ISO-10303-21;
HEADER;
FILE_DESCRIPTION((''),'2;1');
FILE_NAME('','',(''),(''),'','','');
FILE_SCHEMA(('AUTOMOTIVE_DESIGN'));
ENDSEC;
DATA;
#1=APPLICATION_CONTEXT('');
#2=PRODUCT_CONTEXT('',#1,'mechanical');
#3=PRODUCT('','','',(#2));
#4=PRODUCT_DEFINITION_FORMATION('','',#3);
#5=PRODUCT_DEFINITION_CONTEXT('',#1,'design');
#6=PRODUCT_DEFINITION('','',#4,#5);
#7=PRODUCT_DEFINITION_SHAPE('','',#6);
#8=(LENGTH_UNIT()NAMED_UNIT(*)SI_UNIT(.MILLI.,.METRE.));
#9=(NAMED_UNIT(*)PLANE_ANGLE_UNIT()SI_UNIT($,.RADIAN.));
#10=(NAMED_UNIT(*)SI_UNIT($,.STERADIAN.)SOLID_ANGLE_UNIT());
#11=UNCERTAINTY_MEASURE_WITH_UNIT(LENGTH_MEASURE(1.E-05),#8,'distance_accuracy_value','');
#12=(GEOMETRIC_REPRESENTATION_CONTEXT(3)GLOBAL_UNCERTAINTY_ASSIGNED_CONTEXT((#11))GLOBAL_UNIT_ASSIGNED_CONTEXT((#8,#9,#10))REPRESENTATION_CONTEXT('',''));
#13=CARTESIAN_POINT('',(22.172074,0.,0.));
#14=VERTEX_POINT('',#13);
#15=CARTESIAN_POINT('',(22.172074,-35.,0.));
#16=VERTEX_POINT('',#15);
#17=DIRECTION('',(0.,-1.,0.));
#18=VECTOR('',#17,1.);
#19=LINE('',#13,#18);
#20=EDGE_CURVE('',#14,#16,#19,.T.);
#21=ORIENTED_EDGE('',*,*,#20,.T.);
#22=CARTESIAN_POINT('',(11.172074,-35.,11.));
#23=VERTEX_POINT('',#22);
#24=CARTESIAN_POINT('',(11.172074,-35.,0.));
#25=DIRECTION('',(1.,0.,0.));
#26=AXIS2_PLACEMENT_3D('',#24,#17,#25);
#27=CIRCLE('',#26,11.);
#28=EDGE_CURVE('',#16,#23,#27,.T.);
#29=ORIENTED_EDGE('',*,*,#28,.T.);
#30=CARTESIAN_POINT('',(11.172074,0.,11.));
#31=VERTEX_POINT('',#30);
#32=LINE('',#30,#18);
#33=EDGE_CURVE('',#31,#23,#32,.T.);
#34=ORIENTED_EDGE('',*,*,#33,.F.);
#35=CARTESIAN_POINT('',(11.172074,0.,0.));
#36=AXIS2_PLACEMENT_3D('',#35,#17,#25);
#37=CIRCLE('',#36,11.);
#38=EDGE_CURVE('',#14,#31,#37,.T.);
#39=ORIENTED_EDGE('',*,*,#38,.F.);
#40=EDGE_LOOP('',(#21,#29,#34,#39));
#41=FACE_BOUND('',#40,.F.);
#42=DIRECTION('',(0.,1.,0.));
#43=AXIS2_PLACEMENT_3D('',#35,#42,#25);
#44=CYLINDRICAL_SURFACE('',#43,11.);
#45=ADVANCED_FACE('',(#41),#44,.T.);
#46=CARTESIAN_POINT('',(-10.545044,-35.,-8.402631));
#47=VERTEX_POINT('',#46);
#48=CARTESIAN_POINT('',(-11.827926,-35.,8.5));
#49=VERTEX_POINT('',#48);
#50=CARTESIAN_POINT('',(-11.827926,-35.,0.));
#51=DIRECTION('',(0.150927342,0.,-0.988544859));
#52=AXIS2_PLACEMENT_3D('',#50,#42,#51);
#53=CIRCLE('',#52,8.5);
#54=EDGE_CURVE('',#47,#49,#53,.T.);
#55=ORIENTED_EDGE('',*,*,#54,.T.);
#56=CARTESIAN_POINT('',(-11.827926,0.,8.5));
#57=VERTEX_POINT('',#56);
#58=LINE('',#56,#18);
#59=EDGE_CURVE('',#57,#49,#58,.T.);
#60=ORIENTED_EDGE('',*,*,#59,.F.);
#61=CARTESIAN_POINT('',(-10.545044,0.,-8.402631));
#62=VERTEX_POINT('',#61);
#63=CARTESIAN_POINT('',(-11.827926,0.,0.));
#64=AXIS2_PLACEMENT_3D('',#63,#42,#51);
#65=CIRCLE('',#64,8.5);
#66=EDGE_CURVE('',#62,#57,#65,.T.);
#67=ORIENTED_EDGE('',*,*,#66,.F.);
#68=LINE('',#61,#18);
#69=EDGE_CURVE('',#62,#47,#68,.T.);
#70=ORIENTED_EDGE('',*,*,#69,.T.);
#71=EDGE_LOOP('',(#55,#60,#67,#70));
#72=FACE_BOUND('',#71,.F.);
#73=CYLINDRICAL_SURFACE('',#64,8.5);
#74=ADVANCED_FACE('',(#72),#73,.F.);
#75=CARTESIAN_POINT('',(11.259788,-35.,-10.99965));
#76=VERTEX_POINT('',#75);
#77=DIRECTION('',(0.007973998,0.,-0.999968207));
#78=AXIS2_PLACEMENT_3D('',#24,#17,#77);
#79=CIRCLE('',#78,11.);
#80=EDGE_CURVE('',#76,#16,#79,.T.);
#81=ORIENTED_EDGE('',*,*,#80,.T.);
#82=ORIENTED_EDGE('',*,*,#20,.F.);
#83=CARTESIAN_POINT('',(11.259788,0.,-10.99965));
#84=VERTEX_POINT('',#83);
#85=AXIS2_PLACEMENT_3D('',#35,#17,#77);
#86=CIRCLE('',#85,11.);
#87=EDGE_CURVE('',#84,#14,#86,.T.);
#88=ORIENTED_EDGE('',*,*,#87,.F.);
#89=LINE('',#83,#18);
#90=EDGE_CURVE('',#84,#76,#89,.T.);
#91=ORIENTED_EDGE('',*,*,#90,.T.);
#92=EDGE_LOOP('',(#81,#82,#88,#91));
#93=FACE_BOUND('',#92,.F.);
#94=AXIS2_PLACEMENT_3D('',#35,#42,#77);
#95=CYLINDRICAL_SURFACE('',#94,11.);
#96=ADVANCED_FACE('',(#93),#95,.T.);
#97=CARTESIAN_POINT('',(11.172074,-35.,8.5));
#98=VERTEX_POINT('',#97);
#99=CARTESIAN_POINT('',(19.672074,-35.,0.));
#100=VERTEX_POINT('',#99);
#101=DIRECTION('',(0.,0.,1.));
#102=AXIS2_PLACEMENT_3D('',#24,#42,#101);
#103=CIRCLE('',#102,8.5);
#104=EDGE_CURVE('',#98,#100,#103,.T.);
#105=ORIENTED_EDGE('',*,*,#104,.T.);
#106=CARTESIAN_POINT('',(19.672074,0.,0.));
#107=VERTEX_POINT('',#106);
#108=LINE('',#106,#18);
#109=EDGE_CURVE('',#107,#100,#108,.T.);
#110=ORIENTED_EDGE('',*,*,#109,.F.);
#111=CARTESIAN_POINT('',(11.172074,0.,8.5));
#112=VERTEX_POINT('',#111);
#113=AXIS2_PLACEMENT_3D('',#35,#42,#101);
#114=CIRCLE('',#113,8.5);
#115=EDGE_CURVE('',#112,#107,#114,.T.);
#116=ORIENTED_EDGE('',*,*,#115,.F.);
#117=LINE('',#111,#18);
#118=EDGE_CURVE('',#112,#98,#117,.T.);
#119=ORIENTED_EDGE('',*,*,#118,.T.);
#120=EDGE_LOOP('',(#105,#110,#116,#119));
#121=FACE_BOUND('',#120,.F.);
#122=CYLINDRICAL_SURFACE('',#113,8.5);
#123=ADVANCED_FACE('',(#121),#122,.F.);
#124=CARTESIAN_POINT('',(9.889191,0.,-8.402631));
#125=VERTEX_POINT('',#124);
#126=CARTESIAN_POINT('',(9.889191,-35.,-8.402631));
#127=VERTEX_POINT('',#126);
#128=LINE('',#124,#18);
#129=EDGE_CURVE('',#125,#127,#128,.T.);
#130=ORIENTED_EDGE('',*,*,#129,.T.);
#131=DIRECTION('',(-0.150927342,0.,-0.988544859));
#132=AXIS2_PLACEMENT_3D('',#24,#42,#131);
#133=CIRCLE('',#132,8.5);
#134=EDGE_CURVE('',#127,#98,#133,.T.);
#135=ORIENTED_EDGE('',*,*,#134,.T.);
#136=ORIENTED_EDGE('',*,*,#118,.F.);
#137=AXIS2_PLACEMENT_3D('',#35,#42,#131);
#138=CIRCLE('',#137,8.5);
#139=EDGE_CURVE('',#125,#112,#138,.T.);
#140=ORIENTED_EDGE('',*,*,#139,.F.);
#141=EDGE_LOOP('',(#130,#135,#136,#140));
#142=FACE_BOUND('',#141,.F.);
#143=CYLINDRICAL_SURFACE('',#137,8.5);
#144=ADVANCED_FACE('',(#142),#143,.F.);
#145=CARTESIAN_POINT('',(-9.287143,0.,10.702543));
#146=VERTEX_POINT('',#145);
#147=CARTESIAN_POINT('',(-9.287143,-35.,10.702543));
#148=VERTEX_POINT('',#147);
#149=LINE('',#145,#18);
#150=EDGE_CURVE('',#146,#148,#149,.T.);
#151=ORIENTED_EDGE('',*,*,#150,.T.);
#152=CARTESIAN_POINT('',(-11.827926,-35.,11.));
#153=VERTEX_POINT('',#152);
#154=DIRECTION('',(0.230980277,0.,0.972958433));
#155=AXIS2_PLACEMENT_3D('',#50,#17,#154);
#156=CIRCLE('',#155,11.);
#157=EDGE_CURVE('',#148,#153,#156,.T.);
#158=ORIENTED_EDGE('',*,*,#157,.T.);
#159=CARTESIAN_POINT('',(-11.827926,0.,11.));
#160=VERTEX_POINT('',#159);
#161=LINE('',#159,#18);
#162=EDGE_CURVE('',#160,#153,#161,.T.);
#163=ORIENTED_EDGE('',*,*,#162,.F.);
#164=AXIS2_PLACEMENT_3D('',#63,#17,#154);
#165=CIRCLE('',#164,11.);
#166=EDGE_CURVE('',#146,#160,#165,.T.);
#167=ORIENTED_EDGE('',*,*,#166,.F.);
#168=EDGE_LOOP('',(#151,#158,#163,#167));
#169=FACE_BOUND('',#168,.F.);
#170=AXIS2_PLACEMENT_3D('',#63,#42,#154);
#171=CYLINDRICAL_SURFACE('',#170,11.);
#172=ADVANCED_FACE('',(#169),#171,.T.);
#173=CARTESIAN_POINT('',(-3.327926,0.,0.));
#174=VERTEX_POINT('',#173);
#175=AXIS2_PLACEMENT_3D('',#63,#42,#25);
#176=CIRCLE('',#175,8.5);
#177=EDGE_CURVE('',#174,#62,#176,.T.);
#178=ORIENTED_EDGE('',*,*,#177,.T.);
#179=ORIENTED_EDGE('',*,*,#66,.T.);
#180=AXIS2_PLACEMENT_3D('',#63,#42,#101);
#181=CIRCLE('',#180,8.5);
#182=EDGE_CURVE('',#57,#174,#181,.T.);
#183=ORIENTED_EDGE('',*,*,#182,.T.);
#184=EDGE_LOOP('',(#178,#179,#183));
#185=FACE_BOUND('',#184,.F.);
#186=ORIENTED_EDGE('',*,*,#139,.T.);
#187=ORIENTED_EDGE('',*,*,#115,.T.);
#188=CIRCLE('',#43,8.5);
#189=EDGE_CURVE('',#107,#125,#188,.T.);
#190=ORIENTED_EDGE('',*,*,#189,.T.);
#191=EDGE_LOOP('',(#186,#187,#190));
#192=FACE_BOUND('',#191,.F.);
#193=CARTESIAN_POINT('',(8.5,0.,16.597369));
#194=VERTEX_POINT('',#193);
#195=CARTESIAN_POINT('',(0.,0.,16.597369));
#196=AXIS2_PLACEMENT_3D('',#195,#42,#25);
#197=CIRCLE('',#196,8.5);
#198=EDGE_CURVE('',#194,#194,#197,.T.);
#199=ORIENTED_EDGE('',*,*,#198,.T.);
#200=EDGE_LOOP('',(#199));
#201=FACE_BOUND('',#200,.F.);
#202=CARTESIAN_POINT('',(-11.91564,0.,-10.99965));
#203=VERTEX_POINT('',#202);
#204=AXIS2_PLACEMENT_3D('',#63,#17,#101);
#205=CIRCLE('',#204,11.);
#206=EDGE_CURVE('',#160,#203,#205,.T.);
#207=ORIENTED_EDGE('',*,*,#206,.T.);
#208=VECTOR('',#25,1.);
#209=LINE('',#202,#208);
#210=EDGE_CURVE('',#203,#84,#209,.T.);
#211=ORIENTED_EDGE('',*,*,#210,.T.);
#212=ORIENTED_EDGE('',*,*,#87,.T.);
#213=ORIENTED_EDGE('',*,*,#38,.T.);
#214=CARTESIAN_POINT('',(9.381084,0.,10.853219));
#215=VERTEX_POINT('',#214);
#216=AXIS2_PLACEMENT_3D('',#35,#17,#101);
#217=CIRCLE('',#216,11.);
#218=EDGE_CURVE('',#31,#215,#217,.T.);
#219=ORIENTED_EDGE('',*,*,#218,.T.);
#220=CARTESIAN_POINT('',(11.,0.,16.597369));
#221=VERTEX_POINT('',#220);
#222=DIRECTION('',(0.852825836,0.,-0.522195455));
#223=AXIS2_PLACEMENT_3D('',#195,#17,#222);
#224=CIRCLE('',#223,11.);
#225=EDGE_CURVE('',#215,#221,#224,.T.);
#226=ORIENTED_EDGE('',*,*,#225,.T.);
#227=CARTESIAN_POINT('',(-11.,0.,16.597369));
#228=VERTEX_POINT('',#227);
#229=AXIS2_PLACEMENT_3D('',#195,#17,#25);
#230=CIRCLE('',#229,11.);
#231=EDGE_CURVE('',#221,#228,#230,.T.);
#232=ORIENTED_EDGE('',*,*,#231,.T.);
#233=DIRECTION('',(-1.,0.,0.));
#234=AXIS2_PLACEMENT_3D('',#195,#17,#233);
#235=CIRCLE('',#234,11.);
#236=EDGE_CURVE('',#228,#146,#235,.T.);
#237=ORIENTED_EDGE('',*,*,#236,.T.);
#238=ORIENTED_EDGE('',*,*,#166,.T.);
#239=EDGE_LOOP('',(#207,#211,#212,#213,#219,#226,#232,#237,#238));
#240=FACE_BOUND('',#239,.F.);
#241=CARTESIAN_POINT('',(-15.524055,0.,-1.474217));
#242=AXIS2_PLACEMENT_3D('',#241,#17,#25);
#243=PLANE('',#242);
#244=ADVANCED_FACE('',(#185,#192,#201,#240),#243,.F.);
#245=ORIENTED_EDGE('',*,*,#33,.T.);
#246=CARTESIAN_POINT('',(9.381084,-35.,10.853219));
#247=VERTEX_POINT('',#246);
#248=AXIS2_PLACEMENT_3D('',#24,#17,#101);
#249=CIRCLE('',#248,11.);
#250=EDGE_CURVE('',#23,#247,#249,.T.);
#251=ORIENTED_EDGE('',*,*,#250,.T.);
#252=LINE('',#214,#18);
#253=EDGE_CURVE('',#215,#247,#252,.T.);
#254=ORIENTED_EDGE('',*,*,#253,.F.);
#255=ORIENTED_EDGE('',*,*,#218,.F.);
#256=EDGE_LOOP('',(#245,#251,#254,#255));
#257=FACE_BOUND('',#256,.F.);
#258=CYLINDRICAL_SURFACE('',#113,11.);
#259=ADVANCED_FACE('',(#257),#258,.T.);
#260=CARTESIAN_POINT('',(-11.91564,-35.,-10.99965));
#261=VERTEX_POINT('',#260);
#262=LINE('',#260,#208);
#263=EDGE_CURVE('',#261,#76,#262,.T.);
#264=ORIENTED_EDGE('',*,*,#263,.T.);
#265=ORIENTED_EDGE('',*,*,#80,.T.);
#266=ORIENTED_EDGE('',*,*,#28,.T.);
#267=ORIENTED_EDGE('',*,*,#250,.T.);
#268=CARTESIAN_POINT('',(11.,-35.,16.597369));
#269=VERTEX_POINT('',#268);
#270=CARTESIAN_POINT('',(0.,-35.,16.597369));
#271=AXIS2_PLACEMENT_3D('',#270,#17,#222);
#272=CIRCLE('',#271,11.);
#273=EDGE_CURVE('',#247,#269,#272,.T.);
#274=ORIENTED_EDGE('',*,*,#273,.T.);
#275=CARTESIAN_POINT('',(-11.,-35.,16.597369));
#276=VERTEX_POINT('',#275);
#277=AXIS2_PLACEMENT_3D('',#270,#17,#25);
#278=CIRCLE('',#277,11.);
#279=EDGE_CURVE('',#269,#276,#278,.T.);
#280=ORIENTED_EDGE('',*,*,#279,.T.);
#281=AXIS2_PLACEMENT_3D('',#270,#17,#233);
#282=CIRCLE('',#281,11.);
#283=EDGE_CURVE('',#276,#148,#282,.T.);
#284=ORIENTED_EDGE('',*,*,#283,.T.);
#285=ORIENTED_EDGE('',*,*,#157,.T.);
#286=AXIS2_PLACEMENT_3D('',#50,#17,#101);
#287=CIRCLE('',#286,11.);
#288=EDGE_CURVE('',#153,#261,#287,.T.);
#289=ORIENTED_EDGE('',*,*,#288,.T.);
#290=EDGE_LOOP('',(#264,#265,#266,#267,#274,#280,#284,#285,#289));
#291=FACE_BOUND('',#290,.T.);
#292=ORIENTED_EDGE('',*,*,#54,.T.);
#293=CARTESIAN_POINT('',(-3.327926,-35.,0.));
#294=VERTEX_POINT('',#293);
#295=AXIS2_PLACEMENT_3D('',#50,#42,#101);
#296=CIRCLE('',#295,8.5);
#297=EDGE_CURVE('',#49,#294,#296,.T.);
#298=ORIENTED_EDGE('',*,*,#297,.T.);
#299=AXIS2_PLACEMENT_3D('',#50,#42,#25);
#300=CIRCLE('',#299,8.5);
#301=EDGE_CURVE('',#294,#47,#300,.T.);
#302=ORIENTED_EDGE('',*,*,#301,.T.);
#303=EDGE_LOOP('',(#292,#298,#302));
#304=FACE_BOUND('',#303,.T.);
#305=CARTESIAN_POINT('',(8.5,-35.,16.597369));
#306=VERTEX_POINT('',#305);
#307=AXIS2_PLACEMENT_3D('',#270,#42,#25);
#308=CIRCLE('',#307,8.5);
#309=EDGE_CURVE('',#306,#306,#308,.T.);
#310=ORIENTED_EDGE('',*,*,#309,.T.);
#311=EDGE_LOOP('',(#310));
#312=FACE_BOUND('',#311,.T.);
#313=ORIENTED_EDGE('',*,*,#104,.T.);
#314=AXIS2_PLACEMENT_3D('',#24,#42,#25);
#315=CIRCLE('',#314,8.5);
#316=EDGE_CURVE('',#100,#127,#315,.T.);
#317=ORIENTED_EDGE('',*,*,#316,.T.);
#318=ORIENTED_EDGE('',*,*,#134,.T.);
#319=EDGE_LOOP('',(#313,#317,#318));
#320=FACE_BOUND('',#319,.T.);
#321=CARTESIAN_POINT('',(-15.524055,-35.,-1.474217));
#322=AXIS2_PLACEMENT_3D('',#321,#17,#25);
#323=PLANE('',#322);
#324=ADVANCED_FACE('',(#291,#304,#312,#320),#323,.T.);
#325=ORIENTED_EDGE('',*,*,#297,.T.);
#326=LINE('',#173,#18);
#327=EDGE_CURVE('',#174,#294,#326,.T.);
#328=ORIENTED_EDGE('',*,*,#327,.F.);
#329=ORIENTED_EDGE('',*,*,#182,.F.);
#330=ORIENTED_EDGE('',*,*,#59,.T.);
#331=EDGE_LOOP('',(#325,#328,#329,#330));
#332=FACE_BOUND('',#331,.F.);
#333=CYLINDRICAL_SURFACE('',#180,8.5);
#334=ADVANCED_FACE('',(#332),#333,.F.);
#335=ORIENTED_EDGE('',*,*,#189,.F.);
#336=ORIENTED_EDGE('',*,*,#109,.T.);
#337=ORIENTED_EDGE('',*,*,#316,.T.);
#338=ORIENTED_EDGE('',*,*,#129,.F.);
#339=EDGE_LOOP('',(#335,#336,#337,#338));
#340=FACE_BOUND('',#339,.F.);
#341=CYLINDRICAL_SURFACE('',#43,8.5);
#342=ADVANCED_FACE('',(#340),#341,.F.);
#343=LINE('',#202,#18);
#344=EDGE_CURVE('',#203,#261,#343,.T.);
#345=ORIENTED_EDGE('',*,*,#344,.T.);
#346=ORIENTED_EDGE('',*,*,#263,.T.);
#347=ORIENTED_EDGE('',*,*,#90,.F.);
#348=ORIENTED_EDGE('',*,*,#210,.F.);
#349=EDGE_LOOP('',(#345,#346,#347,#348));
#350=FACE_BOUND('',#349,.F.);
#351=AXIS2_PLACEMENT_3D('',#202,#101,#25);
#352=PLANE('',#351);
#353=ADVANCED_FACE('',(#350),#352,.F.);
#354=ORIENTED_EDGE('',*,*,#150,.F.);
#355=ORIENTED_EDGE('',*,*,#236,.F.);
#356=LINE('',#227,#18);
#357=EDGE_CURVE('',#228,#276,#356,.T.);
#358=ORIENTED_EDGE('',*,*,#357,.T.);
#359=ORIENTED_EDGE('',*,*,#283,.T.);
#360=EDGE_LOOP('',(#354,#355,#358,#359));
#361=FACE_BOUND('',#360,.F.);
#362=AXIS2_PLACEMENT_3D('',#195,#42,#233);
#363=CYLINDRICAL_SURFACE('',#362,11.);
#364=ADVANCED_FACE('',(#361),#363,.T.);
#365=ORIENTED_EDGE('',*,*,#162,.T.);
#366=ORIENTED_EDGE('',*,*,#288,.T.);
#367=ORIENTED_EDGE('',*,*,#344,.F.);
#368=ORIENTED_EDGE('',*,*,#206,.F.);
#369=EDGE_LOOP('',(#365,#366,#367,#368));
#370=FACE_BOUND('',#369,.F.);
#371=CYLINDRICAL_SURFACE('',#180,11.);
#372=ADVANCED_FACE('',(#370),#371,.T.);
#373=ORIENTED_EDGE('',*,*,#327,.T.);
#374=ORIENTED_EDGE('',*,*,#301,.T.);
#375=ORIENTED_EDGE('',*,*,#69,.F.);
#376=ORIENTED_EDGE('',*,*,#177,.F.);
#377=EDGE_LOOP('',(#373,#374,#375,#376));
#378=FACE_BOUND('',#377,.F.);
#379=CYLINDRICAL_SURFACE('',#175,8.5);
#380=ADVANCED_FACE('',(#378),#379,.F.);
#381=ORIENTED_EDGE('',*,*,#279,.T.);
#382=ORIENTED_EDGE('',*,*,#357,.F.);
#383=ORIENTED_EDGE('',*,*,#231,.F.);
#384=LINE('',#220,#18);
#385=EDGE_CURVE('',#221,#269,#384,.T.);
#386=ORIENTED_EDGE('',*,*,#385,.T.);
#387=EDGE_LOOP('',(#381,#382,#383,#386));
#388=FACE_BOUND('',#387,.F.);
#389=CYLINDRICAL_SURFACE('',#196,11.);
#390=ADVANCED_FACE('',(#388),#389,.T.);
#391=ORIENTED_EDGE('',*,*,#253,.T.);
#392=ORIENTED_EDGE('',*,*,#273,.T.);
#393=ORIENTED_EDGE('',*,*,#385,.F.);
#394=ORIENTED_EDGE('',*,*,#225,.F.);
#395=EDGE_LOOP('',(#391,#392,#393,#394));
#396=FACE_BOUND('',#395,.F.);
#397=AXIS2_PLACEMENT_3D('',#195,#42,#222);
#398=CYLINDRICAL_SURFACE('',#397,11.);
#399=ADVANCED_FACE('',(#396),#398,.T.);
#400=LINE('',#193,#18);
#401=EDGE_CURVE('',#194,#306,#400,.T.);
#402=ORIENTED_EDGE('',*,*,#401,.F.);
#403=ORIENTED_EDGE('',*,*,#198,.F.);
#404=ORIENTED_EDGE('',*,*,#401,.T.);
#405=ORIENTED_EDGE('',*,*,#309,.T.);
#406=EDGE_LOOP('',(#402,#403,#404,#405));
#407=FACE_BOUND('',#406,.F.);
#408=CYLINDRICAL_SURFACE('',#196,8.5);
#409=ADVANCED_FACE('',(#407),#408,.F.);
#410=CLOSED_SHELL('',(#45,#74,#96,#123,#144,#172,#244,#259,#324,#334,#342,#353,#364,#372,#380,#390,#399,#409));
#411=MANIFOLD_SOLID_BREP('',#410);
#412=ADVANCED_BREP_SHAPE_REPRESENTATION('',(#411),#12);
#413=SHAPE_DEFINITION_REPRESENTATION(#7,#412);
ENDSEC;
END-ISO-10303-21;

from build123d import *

# Parameters (mm, degrees)
F1_DEPTH = 35


with BuildPart() as f1:
    # F0 (on Front) → F1 (new body)
    with BuildSketch(Plane.XZ):
        with BuildLine():
            Line((-11.8279261539, 8.5), (-11.8279261539, 11))
            ThreePointArc((-11.8279261539, 11), (-22.8278387233, 0.043857336), (-11.9156401288, -10.9996502789))
            Line((-11.9156401288, -10.9996502789), (-11.7402121791, -10.9996502789))
            ThreePointArc((-11.7402121791, -10.9996502789), (-8.0071490259, -10.3151181349), (-4.7289271207, -8.4026312978))
            Line((-4.7289271207, -8.4026312978), (-10.5450437457, -8.4026312978))
            ThreePointArc((-10.5450437457, -8.4026312978), (-20.3035490228, -0.6432860829), (-11.8279261539, 8.5))
        make_face()
        with BuildLine():
            ThreePointArc((22.1720738461, 0), (18.9502484391, 7.7781745931), (11.1720738461, 11))
            Line((11.1720738461, 11), (11.1720738461, 8.5))
            ThreePointArc((11.1720738461, 8.5), (17.1824814862, 6.0104076401), (19.6720738461, 0))
            ThreePointArc((19.6720738461, 0), (16.7103723, -6.4480423568), (9.8891914378, -8.4026312978))
            Line((9.8891914378, -8.4026312978), (4.0730748129, -8.4026312978))
            ThreePointArc((4.0730748129, -8.4026312978), (7.351296718, -10.3151181349), (11.0843598712, -10.9996502789))
            Line((11.0843598712, -10.9996502789), (11.2597878209, -10.9996502789))
            ThreePointArc((11.2597878209, -10.9996502789), (18.981198436, -7.7471009506), (22.1720738461, 0))
        make_face()
        with BuildLine():
            ThreePointArc((-8.5, 16.5973687022), (0, 25.0973687022), (8.5, 16.5973687022))
            Line((8.5, 16.5973687022), (11, 16.5973687022))
            ThreePointArc((11, 16.5973687022), (0, 27.5973687022), (-11, 16.5973687022))
            Line((-11, 16.5973687022), (-8.5, 16.5973687022))
        make_face()
        with BuildLine():
            ThreePointArc((11.0843598712, -10.9996502789), (7.351296718, -10.3151181349), (4.0730748129, -8.4026312978))
            Line((4.0730748129, -8.4026312978), (-4.7289271207, -8.4026312978))
            ThreePointArc((-4.7289271207, -8.4026312978), (-8.0071490259, -10.3151181349), (-11.7402121791, -10.9996502789))
            Line((-11.7402121791, -10.9996502789), (11.0843598712, -10.9996502789))
        make_face()
        with BuildLine():
            Line((11, 16.5973687022), (8.5, 16.5973687022))
            ThreePointArc((8.5, 16.5973687022), (0, 8.0973687022), (-8.5, 16.5973687022))
            Line((-8.5, 16.5973687022), (-11, 16.5973687022))
            ThreePointArc((-11, 16.5973687022), (-10.5631097264, 13.5280507147), (-9.2871431076, 10.7025427592))
            ThreePointArc((-9.2871431076, 10.7025427592), (-5.4440797803, 8.9580413863), (-2.5407830463, 5.8948259431))
            ThreePointArc((-2.5407830463, 5.8948259431), (-0.3823916111, 5.6040172271), (1.7909896489, 5.7441500056))
            ThreePointArc((1.7909896489, 5.7441500056), (5.0296432011, 9.1252696274), (9.3810841971, 10.8532186967))
            ThreePointArc((9.3810841971, 10.8532186967), (10.5875381031, 13.6134054123), (11, 16.5973687022))
        make_face()
        with BuildLine():
            ThreePointArc((-2.5407830463, 5.8948259431), (-5.4440797803, 8.9580413863), (-9.2871431076, 10.7025427592))
            ThreePointArc((-9.2871431076, 10.7025427592), (-6.3838463736, 7.6393273159), (-2.5407830463, 5.8948259431))
        make_face()
        with BuildLine():
            ThreePointArc((1.7909896489, 5.7441500056), (6.142430645, 7.4720990749), (9.3810841971, 10.8532186967))
            ThreePointArc((9.3810841971, 10.8532186967), (5.0296432011, 9.1252696274), (1.7909896489, 5.7441500056))
        make_face()
        with BuildLine():
            ThreePointArc((4.0730748129, -8.4026312978), (0.3124633037, -1.7518158776), (1.7909896489, 5.7441500056))
            ThreePointArc((1.7909896489, 5.7441500056), (-0.3823916111, 5.6040172271), (-2.5407830463, 5.8948259431))
            ThreePointArc((-2.5407830463, 5.8948259431), (-1.2648164275, 3.0693179875), (-0.8279261539, 0))
            ThreePointArc((-0.8279261539, 0), (-1.8507274147, -4.6320087778), (-4.7289271207, -8.4026312978))
            Line((-4.7289271207, -8.4026312978), (4.0730748129, -8.4026312978))
        make_face()
        with BuildLine():
            ThreePointArc((11.1720738461, 11), (10.2735766739, 10.9632432624), (9.3810841971, 10.8532186967))
            ThreePointArc((9.3810841971, 10.8532186967), (6.142430645, 7.4720990749), (1.7909896489, 5.7441500056))
            ThreePointArc((1.7909896489, 5.7441500056), (0.3124633037, -1.7518158776), (4.0730748129, -8.4026312978))
            Line((4.0730748129, -8.4026312978), (9.8891914378, -8.4026312978))
            ThreePointArc((9.8891914378, -8.4026312978), (2.6964509772, 0.6432860829), (11.1720738461, 8.5))
            Line((11.1720738461, 8.5), (11.1720738461, 11))
        make_face()
        with BuildLine():
            ThreePointArc((-2.5407830463, 5.8948259431), (-6.3838463736, 7.6393273159), (-9.2871431076, 10.7025427592))
            ThreePointArc((-9.2871431076, 10.7025427592), (-10.5488582024, 10.92538261), (-11.8279261539, 11))
            Line((-11.8279261539, 11), (-11.8279261539, 8.5))
            ThreePointArc((-11.8279261539, 8.5), (-5.8175185138, 6.0104076401), (-3.3279261539, 0))
            ThreePointArc((-3.3279261539, 0), (-5.3798837971, -5.5382984539), (-10.5450437457, -8.4026312978))
            Line((-10.5450437457, -8.4026312978), (-4.7289271207, -8.4026312978))
            ThreePointArc((-4.7289271207, -8.4026312978), (-1.8507274147, -4.6320087778), (-0.8279261539, 0))
            ThreePointArc((-0.8279261539, 0), (-1.2648164275, 3.0693179875), (-2.5407830463, 5.8948259431))
        make_face()
    extrude(amount=F1_DEPTH)


solid = f1.part
